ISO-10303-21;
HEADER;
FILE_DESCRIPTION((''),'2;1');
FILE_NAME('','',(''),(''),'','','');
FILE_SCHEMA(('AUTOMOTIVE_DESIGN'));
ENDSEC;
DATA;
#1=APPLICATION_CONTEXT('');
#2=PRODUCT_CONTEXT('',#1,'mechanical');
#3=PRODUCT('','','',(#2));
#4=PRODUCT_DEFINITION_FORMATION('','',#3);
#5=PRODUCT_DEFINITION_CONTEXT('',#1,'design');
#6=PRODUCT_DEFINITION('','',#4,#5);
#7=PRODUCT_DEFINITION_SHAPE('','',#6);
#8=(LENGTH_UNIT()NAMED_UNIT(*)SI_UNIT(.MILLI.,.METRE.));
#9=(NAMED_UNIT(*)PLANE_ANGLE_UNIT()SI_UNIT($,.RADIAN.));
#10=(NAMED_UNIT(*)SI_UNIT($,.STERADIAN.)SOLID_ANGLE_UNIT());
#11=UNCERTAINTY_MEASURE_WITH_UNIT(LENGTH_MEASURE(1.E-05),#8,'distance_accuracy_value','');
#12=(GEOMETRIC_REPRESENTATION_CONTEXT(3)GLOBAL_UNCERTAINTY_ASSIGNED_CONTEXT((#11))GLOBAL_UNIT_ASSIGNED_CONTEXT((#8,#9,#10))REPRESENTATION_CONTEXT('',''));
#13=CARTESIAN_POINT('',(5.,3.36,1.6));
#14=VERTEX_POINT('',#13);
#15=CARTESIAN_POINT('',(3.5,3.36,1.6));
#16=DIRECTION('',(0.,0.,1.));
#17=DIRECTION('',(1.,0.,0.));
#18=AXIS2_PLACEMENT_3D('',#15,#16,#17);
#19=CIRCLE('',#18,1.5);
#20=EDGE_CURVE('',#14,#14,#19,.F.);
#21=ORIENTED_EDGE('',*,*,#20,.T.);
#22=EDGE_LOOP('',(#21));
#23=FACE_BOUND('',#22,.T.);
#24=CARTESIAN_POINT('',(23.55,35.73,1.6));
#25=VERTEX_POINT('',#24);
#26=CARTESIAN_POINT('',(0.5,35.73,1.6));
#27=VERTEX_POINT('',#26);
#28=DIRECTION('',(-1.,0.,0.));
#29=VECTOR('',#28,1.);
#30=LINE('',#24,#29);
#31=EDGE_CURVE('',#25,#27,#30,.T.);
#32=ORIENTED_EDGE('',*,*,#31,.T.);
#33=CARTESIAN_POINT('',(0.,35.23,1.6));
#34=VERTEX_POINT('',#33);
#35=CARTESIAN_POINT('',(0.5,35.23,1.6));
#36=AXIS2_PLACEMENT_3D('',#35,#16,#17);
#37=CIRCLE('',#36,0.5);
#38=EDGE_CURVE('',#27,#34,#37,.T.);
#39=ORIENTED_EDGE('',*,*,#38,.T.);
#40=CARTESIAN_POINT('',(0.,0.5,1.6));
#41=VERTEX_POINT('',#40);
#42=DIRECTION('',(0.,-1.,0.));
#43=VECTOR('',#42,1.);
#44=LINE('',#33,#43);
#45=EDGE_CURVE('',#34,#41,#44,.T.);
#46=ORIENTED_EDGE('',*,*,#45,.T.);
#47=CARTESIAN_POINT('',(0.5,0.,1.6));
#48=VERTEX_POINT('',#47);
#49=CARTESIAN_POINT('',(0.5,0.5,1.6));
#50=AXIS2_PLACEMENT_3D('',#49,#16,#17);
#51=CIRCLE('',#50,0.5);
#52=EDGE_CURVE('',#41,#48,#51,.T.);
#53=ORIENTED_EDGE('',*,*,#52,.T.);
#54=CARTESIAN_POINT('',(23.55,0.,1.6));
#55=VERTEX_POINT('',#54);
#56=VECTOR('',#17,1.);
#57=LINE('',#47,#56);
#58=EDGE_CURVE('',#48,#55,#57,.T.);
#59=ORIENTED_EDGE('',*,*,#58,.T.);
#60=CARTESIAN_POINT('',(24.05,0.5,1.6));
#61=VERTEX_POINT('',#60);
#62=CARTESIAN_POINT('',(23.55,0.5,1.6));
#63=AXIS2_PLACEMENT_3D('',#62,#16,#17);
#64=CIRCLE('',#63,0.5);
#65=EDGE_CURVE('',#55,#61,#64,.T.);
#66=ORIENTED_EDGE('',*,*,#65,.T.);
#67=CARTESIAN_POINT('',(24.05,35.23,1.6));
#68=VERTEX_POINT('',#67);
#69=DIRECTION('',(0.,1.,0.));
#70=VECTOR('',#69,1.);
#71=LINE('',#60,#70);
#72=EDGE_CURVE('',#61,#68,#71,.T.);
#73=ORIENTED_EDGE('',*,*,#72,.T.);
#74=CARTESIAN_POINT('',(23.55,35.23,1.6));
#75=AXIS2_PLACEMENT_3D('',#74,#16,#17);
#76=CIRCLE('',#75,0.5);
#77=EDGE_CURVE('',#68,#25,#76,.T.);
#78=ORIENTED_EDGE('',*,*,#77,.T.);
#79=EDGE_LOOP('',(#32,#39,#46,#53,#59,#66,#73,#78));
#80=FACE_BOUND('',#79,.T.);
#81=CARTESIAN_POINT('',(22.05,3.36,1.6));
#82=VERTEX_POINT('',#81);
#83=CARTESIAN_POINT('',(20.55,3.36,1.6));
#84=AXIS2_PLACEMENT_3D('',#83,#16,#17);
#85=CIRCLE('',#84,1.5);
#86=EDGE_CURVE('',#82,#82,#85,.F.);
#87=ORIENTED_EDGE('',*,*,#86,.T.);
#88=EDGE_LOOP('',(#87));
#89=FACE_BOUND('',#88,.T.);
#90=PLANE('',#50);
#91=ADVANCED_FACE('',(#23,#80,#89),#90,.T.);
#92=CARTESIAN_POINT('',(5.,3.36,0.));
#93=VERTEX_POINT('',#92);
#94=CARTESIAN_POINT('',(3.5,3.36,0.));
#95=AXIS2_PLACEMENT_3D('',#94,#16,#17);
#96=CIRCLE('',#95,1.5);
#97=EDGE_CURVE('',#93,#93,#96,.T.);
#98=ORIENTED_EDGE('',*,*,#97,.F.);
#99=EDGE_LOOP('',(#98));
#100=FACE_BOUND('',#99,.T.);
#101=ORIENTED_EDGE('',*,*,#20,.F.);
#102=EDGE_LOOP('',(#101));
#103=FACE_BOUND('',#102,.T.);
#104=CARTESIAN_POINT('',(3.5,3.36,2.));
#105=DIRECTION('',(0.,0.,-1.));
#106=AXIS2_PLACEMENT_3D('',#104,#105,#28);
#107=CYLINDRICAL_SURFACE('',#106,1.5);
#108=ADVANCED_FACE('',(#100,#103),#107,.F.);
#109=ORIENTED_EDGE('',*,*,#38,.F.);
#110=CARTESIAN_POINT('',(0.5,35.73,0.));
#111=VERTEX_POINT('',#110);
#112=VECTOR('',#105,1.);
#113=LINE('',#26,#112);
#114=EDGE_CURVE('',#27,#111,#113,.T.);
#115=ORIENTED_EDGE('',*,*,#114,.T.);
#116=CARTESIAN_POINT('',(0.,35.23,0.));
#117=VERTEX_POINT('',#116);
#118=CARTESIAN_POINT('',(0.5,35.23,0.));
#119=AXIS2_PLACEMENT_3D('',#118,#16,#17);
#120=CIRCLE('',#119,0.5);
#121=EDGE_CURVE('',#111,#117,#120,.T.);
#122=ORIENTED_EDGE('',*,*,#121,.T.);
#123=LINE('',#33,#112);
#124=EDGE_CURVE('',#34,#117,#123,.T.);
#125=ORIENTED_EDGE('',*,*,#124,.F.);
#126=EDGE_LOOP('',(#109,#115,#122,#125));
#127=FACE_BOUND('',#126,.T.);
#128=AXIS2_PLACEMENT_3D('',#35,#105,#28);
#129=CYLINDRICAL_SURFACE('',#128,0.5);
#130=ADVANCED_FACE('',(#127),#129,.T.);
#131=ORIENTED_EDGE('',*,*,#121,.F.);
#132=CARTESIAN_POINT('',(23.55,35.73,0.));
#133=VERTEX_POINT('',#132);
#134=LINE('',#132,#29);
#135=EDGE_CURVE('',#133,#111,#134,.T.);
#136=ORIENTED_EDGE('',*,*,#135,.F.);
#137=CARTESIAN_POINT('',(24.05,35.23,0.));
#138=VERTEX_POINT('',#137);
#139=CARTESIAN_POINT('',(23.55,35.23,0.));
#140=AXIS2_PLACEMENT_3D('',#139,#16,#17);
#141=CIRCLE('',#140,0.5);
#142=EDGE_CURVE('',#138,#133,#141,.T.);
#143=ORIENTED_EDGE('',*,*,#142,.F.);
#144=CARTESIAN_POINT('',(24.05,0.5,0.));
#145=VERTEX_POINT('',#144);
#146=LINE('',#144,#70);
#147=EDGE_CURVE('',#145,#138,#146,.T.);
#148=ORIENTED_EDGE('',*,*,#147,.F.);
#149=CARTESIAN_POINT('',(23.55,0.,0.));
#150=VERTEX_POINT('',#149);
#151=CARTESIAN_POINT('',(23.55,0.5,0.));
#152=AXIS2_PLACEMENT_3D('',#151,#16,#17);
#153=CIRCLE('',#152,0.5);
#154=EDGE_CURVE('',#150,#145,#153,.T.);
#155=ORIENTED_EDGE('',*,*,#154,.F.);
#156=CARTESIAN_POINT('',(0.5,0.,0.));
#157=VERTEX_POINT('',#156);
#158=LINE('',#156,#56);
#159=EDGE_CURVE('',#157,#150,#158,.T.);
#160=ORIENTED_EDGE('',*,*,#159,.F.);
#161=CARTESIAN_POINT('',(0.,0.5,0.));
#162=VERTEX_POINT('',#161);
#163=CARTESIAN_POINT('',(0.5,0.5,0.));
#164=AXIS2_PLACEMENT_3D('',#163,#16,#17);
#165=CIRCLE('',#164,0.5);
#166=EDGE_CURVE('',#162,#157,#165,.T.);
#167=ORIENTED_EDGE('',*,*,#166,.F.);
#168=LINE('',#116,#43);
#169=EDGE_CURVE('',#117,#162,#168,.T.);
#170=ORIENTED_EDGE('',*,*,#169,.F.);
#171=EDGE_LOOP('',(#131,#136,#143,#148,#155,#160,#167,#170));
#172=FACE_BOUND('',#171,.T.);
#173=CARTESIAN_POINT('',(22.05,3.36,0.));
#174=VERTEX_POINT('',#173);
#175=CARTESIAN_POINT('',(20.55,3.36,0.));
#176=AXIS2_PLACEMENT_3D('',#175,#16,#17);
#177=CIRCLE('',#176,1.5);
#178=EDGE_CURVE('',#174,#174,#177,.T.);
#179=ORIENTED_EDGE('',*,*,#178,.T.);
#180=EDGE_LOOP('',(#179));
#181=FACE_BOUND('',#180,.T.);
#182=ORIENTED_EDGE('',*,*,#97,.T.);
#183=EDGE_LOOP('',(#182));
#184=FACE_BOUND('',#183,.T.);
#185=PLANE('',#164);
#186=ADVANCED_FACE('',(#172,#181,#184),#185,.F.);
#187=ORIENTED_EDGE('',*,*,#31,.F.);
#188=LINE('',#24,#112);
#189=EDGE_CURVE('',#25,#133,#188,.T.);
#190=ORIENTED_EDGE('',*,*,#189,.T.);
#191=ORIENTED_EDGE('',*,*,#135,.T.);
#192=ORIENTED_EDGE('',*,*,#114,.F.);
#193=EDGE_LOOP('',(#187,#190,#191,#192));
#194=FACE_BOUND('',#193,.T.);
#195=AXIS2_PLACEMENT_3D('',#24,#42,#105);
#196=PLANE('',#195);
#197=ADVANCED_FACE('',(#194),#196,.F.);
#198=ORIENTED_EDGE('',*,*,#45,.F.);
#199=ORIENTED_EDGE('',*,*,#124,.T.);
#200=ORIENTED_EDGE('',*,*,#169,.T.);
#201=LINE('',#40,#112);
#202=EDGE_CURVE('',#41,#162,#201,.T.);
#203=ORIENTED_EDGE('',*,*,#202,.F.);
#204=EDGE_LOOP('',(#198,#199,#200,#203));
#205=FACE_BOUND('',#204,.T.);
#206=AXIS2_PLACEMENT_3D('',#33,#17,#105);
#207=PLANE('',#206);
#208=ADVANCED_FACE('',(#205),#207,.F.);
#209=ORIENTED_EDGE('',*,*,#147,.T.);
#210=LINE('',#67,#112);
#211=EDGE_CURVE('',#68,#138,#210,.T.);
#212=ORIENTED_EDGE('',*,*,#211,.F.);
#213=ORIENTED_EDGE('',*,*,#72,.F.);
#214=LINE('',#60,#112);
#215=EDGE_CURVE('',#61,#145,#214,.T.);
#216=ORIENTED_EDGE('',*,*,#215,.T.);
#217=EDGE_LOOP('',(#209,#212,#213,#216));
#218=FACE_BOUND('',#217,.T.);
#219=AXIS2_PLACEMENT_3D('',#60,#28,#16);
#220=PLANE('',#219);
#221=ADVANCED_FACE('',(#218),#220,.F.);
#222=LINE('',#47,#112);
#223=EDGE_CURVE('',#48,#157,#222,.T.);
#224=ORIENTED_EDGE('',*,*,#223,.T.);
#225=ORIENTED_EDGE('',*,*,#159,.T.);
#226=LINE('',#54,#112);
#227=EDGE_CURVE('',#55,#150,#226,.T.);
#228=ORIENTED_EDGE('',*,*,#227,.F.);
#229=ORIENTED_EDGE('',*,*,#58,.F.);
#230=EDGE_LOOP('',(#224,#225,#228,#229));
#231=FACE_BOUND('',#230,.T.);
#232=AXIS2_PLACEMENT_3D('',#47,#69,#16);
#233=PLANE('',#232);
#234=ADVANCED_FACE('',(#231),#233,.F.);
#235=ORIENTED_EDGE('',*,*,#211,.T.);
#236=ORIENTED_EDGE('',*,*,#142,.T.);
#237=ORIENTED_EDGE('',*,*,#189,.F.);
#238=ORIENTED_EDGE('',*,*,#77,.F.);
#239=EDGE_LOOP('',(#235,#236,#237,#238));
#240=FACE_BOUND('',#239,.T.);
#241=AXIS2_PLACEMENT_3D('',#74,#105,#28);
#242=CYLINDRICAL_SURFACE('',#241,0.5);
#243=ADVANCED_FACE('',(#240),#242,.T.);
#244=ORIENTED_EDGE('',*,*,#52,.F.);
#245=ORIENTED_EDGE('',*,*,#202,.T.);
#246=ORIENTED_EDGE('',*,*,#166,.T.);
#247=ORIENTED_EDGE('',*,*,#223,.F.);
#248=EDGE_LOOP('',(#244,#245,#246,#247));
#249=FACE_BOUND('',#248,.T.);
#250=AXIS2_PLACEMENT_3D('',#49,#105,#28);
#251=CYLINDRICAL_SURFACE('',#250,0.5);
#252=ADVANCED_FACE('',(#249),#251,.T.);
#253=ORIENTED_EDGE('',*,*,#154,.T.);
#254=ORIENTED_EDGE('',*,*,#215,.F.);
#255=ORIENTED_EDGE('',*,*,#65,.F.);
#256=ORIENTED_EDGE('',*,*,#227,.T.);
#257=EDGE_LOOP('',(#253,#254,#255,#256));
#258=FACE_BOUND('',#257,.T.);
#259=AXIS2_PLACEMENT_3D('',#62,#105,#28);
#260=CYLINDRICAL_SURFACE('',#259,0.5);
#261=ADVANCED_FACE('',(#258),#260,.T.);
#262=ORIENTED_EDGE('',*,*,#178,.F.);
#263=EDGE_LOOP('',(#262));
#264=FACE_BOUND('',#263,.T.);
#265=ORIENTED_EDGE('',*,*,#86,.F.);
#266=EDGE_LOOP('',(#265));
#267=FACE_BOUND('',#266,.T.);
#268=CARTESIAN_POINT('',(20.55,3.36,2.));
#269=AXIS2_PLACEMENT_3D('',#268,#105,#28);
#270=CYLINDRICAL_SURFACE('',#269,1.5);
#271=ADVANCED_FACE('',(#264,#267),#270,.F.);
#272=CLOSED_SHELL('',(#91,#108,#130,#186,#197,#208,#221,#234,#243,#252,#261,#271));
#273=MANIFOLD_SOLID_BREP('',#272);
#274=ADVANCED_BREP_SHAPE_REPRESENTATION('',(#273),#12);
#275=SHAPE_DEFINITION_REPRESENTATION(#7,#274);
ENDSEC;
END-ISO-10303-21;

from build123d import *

# Parameters (mm, degrees)
MEASURED_BUTTON_PCB_DEPTH         = 1.6
SKETCH_2_R                        = 1.5
MEASURED_BUTTON_MOUNT_HOLES_DEPTH = 2


with BuildPart() as part:
    # 草图1 → Measured_button_PCB (new body)
    with BuildSketch(Plane.XY):
        with BuildLine():
            Line((0.5, 0), (23.55, 0))
            ThreePointArc((23.55, 0), (23.903553391, 0.146446609), (24.05, 0.5))
            Line((24.05, 0.5), (24.05, 35.23))
            ThreePointArc((24.05, 35.23), (23.903553391, 35.583553391), (23.55, 35.73))
            Line((23.55, 35.73), (0.5, 35.73))
            ThreePointArc((0.5, 35.73), (0.146446609, 35.583553391), (0, 35.23))
            Line((0, 35.23), (0, 0.5))
            ThreePointArc((0, 0.5), (0.146446609, 0.146446609), (0.5, 0))
        make_face()
    extrude(amount=MEASURED_BUTTON_PCB_DEPTH)

    # 草图2 → Measured_button_mount_holes (cut)
    with BuildSketch(Plane.XY):
        with Locations((3.5, 3.36)):
            Circle(SKETCH_2_R)
        with Locations((20.55, 3.36)):
            Circle(SKETCH_2_R)
    extrude(amount=MEASURED_BUTTON_MOUNT_HOLES_DEPTH, mode=Mode.SUBTRACT)


solid = part.part
